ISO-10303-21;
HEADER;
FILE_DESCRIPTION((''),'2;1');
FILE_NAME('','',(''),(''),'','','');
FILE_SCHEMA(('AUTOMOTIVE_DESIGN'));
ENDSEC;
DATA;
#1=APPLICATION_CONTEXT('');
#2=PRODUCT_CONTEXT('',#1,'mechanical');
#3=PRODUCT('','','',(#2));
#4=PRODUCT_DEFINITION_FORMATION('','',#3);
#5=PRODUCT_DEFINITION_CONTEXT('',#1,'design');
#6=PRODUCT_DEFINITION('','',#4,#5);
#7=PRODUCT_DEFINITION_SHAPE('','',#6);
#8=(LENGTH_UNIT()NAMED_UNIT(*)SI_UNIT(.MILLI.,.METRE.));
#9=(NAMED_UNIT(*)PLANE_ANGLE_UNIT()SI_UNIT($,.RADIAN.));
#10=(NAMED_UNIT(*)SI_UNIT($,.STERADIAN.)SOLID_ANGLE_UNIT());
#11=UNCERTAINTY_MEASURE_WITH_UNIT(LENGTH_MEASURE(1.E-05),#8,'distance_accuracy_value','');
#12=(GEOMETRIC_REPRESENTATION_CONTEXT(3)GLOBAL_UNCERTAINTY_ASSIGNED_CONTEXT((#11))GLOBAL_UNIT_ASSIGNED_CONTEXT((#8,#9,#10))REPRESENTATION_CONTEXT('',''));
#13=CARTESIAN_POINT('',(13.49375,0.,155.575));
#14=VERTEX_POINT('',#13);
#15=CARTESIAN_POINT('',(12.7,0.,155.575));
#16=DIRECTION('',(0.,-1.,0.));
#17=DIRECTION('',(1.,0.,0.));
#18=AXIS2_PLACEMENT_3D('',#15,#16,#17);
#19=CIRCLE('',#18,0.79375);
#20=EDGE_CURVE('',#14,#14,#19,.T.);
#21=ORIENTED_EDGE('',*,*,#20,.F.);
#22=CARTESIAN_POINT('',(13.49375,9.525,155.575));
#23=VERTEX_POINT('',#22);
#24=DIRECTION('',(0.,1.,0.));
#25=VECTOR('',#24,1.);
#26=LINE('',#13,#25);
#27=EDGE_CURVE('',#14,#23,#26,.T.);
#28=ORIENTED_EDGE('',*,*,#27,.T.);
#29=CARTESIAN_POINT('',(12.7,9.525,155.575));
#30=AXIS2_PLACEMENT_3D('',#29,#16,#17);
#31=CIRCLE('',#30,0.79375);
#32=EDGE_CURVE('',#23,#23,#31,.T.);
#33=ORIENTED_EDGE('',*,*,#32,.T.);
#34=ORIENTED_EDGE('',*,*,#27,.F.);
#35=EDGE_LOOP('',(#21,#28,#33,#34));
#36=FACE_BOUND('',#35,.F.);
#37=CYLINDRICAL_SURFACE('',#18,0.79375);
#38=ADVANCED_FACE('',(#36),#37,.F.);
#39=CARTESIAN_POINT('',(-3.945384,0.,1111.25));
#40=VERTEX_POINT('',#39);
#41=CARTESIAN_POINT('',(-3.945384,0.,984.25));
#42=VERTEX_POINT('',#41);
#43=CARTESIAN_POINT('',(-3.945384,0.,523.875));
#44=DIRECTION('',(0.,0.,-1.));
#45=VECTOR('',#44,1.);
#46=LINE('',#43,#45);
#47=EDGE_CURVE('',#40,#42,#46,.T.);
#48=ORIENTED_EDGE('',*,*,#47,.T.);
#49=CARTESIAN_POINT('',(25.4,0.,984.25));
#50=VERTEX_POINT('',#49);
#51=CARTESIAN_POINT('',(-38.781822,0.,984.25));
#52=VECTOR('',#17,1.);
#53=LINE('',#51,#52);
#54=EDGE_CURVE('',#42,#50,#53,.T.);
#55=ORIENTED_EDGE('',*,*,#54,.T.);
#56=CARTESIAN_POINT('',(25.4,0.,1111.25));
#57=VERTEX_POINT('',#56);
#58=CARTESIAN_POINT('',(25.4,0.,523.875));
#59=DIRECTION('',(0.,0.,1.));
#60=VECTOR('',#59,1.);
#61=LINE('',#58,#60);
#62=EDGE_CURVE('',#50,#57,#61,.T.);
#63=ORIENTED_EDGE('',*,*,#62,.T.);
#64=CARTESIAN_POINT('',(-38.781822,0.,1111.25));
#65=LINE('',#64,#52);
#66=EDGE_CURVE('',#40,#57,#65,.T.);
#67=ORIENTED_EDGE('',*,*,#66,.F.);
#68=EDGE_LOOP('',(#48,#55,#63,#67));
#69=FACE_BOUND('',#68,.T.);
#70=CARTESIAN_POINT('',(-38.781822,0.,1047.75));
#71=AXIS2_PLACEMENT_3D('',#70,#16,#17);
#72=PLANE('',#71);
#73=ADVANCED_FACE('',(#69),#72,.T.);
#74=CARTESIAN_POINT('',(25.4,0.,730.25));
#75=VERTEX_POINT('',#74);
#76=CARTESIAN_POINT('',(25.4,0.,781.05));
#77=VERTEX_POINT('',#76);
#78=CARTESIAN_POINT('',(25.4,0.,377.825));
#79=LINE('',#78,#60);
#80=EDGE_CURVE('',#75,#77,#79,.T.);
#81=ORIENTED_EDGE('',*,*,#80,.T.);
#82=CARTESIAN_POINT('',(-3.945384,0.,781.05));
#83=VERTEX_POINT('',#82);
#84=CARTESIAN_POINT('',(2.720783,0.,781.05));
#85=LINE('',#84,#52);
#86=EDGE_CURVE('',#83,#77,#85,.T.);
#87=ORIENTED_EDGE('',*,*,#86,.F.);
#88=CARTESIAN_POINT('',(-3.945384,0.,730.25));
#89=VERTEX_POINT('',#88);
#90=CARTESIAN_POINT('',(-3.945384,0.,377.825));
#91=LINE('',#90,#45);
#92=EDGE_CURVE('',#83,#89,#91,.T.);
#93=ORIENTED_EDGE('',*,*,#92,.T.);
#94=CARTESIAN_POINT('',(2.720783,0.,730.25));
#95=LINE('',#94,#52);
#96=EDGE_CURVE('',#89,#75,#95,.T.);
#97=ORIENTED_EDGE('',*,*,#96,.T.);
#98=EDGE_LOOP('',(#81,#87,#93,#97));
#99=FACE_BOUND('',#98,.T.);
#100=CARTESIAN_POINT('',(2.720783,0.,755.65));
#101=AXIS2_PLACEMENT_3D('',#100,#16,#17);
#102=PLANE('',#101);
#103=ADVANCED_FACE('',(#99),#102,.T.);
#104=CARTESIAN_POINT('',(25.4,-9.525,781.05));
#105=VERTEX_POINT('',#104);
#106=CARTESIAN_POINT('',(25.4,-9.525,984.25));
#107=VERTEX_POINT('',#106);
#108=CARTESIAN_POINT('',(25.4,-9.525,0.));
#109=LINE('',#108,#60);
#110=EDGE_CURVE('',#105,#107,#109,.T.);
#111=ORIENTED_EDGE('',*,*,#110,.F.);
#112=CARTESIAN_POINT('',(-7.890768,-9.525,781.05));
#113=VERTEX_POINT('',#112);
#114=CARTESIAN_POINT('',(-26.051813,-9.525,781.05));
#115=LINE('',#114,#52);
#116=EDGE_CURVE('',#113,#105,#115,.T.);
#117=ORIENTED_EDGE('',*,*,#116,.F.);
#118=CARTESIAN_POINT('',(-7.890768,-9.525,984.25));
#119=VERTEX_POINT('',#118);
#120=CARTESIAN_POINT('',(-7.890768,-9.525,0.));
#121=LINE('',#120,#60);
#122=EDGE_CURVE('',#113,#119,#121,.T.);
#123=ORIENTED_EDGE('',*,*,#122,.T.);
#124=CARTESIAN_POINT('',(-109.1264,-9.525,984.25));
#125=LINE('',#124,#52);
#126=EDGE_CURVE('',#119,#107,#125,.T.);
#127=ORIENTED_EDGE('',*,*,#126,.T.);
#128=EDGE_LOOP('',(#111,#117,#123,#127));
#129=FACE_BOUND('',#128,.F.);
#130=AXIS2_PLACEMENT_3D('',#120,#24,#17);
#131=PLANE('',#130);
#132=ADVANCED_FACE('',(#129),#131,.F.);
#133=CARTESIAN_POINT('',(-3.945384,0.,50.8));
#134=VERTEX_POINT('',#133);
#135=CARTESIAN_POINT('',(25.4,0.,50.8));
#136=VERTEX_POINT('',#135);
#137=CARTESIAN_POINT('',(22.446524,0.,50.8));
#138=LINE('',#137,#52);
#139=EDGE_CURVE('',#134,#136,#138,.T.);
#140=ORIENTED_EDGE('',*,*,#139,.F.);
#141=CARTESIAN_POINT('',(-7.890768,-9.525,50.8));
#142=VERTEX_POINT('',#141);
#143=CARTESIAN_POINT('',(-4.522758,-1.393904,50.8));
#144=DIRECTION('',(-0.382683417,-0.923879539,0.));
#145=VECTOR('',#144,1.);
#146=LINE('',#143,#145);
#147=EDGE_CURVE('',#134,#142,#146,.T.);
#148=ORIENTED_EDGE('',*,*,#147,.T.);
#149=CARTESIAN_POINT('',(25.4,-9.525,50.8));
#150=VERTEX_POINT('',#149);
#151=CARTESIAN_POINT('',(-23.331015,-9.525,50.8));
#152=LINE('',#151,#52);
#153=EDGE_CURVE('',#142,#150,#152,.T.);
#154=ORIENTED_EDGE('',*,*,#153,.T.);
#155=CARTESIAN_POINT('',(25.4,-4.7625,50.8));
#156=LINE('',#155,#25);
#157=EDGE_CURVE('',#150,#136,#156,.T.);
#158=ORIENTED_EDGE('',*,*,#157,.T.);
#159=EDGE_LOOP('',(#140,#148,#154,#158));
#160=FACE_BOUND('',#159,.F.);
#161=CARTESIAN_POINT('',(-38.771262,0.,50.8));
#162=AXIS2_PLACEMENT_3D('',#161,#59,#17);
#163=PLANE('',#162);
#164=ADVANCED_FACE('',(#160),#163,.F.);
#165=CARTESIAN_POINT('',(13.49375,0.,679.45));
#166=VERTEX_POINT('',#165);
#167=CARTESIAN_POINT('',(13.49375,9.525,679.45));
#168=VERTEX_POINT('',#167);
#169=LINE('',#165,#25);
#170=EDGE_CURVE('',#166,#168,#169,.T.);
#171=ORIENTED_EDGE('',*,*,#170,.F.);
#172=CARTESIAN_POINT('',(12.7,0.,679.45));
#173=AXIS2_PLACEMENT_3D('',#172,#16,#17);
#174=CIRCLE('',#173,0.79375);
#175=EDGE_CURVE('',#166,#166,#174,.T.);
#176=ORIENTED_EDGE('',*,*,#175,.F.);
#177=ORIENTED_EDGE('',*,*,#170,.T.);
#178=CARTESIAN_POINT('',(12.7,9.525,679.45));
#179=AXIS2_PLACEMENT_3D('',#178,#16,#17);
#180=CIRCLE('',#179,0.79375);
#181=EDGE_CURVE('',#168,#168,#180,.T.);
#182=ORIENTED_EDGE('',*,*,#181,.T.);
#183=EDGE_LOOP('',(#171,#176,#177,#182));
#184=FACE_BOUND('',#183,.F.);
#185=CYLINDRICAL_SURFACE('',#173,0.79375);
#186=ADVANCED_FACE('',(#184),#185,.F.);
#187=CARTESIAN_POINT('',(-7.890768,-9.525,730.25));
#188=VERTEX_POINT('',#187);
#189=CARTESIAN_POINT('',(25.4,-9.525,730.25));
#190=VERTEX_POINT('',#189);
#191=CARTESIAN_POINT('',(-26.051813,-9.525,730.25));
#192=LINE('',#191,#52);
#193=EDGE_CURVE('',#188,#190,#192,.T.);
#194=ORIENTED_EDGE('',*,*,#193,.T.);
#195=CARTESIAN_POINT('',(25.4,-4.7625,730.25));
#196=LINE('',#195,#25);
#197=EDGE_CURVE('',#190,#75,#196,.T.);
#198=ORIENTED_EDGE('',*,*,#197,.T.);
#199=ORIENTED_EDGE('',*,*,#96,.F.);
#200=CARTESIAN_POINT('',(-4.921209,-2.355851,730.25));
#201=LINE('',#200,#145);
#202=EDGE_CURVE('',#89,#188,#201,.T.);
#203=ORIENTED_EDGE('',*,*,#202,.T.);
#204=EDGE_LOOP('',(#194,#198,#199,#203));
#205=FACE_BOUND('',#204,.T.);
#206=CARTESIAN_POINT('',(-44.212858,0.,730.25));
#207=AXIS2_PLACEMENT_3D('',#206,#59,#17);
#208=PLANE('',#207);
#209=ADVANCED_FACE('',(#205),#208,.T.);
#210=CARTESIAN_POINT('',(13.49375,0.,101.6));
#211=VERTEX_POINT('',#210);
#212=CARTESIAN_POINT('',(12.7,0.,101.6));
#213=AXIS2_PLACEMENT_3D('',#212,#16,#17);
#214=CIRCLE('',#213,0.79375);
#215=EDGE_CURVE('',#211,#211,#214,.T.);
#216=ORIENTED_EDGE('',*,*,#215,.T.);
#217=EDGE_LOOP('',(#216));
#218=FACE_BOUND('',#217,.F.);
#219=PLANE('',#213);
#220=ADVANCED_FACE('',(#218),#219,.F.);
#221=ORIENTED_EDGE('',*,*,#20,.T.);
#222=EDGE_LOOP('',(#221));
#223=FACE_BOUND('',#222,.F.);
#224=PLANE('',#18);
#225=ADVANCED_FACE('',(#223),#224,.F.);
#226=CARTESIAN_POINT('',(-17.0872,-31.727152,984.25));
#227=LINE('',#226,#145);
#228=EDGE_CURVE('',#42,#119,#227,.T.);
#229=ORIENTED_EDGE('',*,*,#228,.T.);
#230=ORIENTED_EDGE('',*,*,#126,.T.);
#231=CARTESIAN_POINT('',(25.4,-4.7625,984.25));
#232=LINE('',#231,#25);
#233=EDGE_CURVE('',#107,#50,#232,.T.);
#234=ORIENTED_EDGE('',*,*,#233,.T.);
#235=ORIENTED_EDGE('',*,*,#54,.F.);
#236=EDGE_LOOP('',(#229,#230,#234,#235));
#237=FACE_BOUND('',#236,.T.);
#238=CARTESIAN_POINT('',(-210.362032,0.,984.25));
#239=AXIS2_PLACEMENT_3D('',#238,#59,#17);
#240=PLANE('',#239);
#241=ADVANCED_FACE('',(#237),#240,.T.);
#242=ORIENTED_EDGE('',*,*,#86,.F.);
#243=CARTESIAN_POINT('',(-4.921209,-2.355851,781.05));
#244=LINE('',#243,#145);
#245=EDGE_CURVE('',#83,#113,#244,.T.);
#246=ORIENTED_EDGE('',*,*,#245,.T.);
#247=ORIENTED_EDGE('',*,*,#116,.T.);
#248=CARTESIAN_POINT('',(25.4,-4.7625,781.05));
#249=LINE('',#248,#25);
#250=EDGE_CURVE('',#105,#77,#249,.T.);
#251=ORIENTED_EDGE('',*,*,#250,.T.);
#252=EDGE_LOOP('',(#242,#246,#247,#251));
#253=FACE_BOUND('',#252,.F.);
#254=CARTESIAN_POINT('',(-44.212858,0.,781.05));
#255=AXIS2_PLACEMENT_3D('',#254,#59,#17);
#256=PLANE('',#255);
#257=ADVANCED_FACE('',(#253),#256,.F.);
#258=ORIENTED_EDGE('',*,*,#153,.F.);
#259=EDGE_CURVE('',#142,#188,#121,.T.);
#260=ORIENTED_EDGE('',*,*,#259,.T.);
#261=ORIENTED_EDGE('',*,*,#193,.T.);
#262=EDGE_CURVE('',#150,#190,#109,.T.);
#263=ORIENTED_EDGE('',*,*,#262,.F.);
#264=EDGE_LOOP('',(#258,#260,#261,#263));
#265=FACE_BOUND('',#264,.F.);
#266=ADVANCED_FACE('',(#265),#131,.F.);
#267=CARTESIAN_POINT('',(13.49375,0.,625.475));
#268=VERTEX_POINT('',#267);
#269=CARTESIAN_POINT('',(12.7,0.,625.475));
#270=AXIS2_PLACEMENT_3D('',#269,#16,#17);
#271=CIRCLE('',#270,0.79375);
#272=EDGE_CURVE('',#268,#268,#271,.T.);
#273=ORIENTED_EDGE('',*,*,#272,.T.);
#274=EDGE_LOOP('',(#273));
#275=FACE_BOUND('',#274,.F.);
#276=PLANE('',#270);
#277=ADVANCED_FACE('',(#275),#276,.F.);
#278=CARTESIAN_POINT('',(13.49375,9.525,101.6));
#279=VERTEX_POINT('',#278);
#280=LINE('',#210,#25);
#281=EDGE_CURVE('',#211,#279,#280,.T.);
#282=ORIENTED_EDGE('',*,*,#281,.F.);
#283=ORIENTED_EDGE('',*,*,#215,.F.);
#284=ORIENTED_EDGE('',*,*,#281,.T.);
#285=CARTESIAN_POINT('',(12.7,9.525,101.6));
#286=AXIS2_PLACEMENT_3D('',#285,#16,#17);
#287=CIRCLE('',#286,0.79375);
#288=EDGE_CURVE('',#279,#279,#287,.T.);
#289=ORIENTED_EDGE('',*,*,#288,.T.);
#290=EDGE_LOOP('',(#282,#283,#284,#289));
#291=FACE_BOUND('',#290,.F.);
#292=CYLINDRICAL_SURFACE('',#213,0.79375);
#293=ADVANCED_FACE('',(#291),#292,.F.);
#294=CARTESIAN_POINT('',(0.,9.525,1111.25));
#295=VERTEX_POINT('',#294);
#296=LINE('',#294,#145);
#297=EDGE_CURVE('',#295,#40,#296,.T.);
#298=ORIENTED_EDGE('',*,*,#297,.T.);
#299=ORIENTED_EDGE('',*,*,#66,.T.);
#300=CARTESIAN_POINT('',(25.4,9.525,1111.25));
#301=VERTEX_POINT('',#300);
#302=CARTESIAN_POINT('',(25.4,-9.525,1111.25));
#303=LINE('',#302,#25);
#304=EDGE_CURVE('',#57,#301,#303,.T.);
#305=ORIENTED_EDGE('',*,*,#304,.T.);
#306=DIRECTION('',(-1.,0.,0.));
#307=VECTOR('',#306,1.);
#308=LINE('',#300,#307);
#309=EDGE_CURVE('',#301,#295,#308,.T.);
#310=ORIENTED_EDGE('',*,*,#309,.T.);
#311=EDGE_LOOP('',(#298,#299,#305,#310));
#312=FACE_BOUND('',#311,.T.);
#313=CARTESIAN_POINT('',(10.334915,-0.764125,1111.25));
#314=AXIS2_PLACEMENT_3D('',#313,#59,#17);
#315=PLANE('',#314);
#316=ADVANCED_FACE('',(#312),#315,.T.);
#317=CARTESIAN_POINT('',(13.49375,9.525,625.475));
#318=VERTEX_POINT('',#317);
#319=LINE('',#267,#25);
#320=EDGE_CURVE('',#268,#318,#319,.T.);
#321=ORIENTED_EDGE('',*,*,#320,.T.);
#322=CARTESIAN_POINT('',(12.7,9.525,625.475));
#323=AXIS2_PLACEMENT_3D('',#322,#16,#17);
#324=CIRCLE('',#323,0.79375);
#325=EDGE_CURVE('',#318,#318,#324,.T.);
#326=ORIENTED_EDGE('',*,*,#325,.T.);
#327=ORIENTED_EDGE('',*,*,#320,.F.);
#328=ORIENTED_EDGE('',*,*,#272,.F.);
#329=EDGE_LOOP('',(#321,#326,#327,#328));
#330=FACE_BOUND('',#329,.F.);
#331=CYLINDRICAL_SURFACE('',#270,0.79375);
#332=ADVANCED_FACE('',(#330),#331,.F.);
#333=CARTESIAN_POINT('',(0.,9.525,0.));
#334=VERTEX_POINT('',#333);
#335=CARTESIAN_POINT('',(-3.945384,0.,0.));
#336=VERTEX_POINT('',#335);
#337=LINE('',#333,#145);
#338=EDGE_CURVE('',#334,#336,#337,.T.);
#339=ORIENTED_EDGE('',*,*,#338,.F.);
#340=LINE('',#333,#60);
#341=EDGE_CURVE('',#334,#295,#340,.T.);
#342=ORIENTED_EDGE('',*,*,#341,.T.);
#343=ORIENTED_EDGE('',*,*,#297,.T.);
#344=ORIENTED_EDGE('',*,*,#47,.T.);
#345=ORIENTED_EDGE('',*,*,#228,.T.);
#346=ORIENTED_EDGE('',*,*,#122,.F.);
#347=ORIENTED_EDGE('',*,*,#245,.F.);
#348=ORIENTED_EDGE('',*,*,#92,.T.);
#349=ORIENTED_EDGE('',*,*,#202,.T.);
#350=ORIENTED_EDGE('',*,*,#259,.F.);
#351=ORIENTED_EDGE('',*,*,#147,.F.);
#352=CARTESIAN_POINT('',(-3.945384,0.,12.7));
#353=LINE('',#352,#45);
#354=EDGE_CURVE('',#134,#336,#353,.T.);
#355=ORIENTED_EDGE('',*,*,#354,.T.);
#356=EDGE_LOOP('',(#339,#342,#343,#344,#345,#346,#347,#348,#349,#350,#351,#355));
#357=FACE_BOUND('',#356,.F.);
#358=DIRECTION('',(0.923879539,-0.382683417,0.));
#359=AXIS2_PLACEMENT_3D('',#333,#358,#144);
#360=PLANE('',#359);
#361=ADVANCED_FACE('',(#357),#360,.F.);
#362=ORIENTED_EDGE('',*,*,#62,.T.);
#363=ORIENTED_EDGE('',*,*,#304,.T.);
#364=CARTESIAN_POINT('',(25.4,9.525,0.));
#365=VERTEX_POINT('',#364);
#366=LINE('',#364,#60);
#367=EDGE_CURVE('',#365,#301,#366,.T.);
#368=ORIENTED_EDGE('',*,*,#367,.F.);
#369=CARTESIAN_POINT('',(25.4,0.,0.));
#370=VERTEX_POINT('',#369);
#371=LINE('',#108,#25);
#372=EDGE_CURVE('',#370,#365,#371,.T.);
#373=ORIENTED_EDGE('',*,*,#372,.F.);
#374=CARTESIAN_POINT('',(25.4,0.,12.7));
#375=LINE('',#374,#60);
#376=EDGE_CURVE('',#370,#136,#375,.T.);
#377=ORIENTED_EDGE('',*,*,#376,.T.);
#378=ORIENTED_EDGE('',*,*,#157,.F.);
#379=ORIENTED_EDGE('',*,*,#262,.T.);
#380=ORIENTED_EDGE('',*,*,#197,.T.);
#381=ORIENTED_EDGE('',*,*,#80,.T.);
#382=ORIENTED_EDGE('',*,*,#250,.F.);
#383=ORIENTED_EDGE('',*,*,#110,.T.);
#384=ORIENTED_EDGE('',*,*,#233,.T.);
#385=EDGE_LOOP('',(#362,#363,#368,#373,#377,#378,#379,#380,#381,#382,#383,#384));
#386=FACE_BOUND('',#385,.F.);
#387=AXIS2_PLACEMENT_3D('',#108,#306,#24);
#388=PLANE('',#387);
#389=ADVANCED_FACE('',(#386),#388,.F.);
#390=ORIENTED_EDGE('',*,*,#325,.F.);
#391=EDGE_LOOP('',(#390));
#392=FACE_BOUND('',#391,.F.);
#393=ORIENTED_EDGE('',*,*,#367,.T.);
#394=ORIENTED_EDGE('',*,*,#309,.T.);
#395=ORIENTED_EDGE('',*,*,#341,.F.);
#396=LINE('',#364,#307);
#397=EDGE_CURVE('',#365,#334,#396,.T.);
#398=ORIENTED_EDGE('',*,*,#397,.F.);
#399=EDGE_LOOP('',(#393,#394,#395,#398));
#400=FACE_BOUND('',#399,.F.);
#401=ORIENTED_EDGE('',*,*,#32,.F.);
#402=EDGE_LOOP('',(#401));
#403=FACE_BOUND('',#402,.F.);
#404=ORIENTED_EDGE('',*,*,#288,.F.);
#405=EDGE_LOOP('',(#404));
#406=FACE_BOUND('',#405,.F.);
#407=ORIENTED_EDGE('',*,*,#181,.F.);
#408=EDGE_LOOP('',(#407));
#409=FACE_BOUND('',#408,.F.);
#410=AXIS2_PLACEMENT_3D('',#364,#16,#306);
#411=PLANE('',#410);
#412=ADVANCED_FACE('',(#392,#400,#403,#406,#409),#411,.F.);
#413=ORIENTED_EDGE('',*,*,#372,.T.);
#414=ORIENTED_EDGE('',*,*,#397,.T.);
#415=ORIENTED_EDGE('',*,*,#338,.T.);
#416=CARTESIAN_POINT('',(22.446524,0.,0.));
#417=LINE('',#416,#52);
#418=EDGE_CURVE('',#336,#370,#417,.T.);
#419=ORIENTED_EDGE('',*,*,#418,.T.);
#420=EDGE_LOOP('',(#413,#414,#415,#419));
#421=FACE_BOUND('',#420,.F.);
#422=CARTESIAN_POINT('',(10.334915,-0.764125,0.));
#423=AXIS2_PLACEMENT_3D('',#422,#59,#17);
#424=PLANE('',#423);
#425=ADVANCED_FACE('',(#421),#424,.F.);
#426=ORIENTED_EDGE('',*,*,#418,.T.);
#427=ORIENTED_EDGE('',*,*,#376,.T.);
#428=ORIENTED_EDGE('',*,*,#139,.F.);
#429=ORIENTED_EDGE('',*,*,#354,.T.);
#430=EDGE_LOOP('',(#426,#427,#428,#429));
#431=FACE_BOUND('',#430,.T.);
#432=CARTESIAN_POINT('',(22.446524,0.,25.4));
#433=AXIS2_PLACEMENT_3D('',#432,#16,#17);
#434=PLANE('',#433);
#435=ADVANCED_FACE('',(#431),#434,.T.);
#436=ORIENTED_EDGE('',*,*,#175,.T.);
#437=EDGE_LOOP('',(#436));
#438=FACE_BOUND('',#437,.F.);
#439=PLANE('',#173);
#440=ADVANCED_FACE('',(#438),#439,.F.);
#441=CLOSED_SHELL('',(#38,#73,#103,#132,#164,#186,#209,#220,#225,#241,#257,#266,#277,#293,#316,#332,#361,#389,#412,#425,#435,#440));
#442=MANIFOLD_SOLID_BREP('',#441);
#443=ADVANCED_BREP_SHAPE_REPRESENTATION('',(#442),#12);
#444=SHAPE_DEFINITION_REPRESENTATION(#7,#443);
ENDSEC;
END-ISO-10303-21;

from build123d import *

# Parameters (mm, degrees)
F1_DEPTH = 1111.25
F2_W     = 122.435573
F2_H     = 50.8
F2_W_2   = 93.867282
F2_W_3   = 343.160421
F2_H_2   = 127
F3_DEPTH = 25.4
F4_R     = 0.79375
F5_DEPTH = 25.4


with BuildPart() as f1:
    # F0 (on Top) → F1 (new body)
    with BuildSketch(Plane.XY):
        Polygon((25.4, -9.525), (25.4, 9.525), (0, 9.525), (-7.890768, -9.525), align=None)
    extrude(amount=F1_DEPTH)

    # F2 (on Front) → F3 (cut)
    with BuildSketch(Plane.XZ):
        with Locations((22.446524, 25.4)):
            Rectangle(F2_W, F2_H)
        with Locations((2.720783, 755.65)):
            Rectangle(F2_W_2, F2_H)
        with Locations((-38.781822, 1047.75)):
            Rectangle(F2_W_3, F2_H_2)
    extrude(amount=F3_DEPTH, mode=Mode.SUBTRACT)

    # F4 (on Front) → F5 (cut)
    with BuildSketch(Plane.XZ):
        with Locations((12.7, 101.6)):
            Circle(F4_R)
        with Locations((12.7, 155.575)):
            Circle(F4_R)
        with Locations((12.7, 625.475)):
            Circle(F4_R)
        with Locations((12.7, 679.45)):
            Circle(F4_R)
        with Locations((-12.7, 625.475)):
            Circle(F4_R)
        with Locations((-12.7, 679.45)):
            Circle(F4_R)
        with Locations((-12.7, 101.6)):
            Circle(F4_R)
        with Locations((-12.7, 155.575)):
            Circle(F4_R)
    extrude(amount=-F5_DEPTH, mode=Mode.SUBTRACT)


solid = f1.part
